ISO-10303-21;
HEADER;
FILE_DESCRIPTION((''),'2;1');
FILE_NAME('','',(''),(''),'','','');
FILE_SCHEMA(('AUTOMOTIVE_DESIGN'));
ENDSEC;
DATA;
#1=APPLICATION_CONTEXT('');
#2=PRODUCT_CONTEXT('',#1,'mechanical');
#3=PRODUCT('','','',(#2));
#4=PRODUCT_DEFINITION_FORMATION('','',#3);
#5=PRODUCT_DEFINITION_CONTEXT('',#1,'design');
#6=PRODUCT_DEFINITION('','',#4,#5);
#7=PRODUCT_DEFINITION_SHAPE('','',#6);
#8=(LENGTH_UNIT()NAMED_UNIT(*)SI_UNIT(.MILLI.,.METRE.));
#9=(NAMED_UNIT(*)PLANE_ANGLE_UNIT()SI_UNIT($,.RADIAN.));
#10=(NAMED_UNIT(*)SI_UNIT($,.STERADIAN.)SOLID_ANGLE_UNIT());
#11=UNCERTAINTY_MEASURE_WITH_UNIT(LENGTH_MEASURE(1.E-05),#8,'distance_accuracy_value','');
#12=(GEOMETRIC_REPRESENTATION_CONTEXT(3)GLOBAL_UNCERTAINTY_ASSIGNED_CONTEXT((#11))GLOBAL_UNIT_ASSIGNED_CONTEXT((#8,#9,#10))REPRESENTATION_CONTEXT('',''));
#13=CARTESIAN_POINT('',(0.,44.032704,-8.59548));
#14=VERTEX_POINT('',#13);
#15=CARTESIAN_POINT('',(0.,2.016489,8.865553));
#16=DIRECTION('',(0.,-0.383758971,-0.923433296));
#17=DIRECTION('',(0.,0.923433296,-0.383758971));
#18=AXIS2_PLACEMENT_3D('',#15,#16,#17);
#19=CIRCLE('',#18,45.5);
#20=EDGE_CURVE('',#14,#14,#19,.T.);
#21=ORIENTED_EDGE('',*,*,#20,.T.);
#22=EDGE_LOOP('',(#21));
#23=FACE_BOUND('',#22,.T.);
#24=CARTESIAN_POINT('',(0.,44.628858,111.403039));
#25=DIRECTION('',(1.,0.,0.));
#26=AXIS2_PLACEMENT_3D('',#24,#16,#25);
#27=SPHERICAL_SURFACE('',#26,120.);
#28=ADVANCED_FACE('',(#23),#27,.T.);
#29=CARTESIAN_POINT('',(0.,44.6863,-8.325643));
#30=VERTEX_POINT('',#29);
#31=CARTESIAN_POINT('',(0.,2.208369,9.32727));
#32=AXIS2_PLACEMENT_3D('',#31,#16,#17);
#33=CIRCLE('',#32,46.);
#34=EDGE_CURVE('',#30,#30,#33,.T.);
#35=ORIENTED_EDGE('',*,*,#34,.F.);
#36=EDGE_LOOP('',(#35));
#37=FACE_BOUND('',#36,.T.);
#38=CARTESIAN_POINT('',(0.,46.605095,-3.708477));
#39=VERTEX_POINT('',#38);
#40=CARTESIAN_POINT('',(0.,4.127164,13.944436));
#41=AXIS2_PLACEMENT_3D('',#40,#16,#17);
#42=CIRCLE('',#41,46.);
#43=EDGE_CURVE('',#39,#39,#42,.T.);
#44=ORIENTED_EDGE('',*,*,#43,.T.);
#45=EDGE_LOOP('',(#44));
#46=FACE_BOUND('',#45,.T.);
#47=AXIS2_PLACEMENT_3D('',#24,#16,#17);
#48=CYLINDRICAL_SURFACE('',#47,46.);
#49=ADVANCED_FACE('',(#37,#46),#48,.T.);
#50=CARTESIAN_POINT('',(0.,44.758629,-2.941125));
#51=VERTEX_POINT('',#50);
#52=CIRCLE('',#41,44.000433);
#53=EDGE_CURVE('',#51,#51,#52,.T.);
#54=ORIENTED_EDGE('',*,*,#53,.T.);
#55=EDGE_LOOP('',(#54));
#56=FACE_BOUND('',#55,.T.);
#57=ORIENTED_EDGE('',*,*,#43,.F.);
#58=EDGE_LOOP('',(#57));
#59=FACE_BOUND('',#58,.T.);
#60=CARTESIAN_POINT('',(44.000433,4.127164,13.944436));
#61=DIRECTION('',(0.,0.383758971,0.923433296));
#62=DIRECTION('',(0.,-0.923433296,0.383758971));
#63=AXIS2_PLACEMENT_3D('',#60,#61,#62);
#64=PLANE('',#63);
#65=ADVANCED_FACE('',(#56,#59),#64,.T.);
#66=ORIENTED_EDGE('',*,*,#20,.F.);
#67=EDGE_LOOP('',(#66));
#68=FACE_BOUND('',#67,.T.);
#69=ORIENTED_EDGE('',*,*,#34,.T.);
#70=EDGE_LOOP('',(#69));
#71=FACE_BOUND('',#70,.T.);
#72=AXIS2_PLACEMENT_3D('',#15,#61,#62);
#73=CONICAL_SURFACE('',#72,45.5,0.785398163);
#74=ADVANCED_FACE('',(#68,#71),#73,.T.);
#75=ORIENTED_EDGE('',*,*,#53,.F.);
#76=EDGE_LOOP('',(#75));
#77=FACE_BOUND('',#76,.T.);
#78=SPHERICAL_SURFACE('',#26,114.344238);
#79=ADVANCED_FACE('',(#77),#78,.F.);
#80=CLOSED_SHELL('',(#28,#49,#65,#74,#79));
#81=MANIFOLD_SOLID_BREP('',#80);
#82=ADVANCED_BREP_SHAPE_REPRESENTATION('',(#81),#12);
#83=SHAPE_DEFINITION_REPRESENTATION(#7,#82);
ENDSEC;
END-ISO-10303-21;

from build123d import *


with BuildPart() as part:
    # Esquisse1 → Révolution1 (revolve)
    with BuildSketch(Plane(origin=(0, -1.422218517, 0.591043356), x_dir=(1, 0, 0), z_dir=(0, -0.9234332960375348, 0.3837589709300026))):
        with BuildLine():
            Line((0, 5.655762448), (0, 0))
            ThreePointArc((0, 0), (23.186969506, 2.261457266), (45.5, 8.960592581))
            Line((45.5, 8.960592581), (46, 9.460592581))
            Line((46, 9.460592581), (46, 14.460592581))
            Line((46, 14.460592581), (44.000433441, 14.460592581))
            ThreePointArc((44.000433441, 14.460592581), (22.436372126, 7.878575342), (0, 5.655762448))
        make_face()
    revolve(axis=Axis((0, 44.628857994, 111.403038881), (0, -0.3837589709300026, -0.9234332960375348)))


solid = part.part
